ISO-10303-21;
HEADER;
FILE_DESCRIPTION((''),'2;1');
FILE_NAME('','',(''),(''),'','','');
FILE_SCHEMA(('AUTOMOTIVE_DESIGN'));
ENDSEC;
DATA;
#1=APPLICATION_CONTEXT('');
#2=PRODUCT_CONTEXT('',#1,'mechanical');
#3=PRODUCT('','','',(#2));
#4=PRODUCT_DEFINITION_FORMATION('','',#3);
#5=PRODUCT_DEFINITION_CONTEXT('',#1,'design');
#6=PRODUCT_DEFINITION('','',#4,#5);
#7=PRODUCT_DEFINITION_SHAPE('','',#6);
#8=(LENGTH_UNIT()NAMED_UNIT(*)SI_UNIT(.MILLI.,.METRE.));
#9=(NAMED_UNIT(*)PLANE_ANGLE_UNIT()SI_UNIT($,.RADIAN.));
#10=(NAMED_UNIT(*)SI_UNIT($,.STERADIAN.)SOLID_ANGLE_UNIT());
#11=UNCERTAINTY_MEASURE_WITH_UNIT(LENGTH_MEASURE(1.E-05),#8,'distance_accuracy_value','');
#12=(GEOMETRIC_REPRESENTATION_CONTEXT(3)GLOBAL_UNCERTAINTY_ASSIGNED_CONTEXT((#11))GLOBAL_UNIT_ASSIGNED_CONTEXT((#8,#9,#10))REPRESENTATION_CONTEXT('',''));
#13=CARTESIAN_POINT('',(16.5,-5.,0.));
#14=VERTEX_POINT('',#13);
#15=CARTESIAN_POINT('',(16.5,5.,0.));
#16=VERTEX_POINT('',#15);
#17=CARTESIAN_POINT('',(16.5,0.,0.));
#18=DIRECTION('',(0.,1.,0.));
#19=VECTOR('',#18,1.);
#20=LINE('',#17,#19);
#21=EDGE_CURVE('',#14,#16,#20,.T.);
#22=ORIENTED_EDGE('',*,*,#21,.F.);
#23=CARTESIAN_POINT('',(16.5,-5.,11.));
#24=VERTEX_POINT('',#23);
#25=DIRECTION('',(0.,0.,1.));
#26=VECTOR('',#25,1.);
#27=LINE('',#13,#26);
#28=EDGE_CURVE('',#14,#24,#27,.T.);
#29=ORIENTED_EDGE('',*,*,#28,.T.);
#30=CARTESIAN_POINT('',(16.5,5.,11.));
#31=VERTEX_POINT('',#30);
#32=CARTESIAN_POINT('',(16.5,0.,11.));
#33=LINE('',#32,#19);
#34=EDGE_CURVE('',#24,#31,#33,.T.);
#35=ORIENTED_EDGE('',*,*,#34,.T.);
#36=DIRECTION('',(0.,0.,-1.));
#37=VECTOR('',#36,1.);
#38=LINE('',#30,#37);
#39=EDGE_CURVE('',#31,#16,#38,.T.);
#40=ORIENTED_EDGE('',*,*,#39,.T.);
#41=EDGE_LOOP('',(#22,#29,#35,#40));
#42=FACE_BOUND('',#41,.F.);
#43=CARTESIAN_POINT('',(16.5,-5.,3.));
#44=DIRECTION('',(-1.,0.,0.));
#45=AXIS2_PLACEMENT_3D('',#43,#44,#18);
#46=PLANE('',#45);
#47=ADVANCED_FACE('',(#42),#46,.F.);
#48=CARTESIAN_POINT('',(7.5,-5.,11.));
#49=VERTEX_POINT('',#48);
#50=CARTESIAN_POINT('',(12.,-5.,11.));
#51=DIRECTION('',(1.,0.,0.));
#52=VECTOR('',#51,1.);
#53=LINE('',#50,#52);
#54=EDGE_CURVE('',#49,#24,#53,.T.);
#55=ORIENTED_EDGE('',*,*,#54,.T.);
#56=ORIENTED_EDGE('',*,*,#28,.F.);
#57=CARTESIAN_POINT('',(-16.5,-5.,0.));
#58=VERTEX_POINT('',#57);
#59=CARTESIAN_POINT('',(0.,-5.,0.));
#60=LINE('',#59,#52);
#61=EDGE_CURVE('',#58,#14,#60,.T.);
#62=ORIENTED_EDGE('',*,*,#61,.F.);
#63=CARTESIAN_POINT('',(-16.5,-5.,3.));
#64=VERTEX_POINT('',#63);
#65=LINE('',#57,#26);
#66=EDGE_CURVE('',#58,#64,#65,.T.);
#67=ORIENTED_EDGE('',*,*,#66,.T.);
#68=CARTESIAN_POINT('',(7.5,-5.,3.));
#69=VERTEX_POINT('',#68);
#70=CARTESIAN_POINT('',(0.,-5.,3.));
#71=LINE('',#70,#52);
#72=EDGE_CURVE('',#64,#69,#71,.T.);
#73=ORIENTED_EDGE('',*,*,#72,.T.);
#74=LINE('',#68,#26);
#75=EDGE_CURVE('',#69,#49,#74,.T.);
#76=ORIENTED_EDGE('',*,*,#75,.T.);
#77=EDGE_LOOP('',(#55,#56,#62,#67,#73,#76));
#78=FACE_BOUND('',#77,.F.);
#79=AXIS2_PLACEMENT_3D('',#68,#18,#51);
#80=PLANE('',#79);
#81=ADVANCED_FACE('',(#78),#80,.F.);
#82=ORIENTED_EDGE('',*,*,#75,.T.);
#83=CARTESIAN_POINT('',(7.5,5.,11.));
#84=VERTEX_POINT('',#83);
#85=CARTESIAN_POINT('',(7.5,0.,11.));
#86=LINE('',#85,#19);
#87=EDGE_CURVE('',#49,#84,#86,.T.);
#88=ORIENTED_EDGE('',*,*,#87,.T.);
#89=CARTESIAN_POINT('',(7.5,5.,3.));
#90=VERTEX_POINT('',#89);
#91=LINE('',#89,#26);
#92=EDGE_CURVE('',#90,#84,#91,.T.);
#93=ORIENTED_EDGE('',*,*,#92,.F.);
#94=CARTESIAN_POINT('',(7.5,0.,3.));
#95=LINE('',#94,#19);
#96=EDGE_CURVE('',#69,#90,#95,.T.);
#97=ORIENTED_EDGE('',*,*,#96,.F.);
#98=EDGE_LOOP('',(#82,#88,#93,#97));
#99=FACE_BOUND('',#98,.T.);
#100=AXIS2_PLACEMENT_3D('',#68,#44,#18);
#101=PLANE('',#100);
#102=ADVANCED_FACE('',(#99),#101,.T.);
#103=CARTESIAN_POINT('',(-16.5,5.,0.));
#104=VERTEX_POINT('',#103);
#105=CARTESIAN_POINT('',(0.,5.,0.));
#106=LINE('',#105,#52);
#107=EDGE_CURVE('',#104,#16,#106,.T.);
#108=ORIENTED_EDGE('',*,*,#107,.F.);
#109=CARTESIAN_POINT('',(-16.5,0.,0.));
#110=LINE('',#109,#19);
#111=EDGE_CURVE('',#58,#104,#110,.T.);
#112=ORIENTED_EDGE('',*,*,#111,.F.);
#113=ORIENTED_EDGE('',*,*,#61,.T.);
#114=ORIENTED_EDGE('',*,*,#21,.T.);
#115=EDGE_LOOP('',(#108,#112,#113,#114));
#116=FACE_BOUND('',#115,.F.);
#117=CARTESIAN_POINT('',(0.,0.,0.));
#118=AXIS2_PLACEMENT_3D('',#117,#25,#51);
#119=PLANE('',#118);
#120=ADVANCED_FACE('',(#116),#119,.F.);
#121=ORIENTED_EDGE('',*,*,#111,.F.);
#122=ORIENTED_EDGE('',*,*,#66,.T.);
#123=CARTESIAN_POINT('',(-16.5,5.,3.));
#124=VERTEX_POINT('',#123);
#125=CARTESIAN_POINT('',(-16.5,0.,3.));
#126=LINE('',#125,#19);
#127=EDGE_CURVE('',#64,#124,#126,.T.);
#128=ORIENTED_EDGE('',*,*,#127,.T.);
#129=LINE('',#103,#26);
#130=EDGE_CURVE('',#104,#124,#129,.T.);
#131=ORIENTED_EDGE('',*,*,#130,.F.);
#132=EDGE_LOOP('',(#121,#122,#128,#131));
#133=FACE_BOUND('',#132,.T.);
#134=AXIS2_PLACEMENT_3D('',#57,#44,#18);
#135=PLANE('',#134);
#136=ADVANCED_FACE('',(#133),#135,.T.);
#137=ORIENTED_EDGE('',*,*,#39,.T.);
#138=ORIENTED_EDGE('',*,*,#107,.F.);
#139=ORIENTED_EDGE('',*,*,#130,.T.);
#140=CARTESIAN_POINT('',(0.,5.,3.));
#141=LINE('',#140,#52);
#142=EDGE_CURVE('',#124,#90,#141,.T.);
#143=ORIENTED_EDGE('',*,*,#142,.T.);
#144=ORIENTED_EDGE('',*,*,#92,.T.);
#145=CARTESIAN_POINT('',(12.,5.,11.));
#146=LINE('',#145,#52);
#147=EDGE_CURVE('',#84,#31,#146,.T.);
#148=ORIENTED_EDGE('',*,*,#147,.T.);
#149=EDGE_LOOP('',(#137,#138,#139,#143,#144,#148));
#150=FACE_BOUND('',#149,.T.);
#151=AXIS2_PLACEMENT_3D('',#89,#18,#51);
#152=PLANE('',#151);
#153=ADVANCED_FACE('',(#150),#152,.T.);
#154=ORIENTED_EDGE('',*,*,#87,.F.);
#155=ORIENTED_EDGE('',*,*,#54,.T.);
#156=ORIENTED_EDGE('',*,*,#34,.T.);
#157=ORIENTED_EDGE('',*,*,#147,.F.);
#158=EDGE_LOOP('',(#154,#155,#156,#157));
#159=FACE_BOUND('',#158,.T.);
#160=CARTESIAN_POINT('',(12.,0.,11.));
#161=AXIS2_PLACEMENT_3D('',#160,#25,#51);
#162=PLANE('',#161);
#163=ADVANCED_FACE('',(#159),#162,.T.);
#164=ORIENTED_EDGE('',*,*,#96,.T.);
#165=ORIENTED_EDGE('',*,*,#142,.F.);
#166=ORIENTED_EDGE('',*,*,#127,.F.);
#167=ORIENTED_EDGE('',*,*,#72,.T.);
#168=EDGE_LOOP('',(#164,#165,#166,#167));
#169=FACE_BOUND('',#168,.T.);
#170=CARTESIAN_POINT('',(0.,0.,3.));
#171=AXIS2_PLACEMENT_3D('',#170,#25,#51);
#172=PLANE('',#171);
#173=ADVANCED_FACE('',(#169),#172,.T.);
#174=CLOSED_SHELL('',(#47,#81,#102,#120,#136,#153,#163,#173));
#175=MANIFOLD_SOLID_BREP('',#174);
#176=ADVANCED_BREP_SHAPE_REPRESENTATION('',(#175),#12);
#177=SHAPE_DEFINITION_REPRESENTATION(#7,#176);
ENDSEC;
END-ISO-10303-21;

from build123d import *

# Parameters (mm, degrees)
SKETCH_W     = 33
SKETCH_H     = 10
PAD_DEPTH    = 3
SKETCH001_W  = 9
SKETCH001_H  = 10
PAD001_DEPTH = 8


with BuildPart() as part:
    # Sketch → Pad (new body)
    with BuildSketch(Plane.XY):
        Rectangle(SKETCH_W, SKETCH_H)
    extrude(amount=PAD_DEPTH)

    # Sketch001 → Pad001 (join)
    with BuildSketch(Plane.XY.offset(3)):
        with Locations((12, 0)):
            Rectangle(SKETCH001_W, SKETCH001_H)
    extrude(amount=PAD001_DEPTH)


solid = part.part
